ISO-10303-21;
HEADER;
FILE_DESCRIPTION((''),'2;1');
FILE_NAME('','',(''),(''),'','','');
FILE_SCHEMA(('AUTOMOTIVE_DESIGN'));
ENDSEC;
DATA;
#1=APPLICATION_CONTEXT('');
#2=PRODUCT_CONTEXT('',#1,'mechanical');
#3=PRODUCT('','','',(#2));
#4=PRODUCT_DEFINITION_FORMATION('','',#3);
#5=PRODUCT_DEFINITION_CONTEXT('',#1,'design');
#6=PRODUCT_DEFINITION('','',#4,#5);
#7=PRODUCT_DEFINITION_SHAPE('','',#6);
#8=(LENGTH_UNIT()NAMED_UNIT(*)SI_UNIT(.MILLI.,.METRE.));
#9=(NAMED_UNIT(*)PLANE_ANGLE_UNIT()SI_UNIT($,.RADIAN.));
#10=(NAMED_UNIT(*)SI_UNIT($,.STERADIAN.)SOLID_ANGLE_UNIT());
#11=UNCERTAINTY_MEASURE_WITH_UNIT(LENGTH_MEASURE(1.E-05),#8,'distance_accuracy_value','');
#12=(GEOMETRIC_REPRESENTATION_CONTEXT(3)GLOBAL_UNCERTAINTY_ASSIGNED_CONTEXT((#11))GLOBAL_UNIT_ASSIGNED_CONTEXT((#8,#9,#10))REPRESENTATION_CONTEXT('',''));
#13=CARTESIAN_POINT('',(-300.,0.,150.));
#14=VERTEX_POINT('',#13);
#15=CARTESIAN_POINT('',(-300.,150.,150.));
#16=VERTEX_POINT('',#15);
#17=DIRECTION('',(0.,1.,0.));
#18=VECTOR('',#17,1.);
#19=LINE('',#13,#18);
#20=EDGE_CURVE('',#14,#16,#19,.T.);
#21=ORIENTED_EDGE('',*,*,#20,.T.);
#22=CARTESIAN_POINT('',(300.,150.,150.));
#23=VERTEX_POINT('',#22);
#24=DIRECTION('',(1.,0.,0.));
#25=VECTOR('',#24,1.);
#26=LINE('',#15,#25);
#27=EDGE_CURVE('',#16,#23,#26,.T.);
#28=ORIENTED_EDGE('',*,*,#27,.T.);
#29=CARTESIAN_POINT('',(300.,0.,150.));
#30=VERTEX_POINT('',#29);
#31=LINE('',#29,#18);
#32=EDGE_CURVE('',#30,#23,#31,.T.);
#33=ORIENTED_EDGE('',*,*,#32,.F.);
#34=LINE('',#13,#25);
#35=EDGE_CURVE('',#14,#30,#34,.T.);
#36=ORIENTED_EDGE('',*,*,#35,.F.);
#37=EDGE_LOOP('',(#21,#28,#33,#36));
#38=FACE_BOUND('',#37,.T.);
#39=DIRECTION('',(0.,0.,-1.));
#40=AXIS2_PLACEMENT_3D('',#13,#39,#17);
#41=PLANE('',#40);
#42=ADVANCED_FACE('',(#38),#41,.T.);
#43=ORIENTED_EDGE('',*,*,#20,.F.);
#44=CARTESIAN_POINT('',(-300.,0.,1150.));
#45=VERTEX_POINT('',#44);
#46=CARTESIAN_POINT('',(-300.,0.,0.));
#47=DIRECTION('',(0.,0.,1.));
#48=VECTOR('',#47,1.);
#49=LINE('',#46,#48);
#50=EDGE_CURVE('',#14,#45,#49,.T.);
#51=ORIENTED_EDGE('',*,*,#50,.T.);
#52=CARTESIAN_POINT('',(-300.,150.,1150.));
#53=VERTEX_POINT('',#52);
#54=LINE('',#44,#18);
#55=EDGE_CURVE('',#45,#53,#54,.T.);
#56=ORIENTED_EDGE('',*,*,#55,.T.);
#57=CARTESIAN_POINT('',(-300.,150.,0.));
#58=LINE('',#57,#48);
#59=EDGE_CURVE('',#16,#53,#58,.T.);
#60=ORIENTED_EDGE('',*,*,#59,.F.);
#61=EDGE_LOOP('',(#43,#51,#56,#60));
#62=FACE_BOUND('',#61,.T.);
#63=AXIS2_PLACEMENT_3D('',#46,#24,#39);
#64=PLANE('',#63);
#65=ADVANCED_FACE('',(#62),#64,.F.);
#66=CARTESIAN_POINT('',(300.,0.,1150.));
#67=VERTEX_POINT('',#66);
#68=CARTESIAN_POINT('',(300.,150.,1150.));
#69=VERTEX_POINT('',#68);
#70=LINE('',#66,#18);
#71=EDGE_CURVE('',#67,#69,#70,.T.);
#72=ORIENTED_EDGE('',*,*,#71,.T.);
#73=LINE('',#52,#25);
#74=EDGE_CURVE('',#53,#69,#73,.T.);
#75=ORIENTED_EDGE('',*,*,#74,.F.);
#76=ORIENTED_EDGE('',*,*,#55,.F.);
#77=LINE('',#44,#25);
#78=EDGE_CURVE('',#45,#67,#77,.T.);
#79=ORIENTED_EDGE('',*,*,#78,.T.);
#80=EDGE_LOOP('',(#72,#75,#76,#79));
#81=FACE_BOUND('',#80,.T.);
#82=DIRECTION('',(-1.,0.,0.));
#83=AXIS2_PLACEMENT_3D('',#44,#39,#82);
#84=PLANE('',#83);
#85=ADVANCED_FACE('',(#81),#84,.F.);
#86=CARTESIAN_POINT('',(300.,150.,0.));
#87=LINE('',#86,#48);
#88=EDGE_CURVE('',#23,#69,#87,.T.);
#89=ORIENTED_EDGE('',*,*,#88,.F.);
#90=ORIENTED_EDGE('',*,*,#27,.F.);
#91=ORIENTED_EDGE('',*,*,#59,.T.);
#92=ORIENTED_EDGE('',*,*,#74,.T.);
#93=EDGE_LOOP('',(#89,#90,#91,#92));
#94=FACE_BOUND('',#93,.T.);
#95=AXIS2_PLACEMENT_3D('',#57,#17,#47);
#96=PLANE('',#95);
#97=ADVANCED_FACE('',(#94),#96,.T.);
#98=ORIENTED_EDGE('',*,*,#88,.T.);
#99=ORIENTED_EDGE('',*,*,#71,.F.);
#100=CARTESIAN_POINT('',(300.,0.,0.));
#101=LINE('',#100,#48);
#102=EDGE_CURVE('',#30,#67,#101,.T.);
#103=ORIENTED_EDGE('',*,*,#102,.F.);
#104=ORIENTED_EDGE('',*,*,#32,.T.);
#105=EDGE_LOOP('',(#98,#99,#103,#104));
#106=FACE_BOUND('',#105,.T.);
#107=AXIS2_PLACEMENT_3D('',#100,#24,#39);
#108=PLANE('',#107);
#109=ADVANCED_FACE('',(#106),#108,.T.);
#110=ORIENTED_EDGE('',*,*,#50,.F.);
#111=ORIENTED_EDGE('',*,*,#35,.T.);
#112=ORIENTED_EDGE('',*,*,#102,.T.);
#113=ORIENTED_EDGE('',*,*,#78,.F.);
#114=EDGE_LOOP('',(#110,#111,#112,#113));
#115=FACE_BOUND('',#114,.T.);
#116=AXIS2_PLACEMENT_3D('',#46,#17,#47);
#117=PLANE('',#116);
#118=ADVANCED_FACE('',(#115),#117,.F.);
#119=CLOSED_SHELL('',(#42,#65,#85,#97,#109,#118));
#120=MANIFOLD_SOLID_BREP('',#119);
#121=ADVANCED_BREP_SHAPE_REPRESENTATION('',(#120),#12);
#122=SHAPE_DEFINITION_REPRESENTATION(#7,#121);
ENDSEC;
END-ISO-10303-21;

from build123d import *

# Parameters (mm, degrees)
BOSS_EXTRUDE2_DEPTH      = 300
BOSS_EXTRUDE2_DEPTH_BACK = 300
SKETCH1_W                = 150
SKETCH1_H                = 1000


with BuildPart() as part:
    # Sketch1 → Boss-Extrude2 (new, two sides: drawn at the far end of the back side and taken through both)
    with BuildSketch(Plane.YZ.offset(-BOSS_EXTRUDE2_DEPTH_BACK)):
        with Locations((75, 650)):
            Rectangle(SKETCH1_W, SKETCH1_H)
    extrude(amount=BOSS_EXTRUDE2_DEPTH + BOSS_EXTRUDE2_DEPTH_BACK)


solid = part.part
